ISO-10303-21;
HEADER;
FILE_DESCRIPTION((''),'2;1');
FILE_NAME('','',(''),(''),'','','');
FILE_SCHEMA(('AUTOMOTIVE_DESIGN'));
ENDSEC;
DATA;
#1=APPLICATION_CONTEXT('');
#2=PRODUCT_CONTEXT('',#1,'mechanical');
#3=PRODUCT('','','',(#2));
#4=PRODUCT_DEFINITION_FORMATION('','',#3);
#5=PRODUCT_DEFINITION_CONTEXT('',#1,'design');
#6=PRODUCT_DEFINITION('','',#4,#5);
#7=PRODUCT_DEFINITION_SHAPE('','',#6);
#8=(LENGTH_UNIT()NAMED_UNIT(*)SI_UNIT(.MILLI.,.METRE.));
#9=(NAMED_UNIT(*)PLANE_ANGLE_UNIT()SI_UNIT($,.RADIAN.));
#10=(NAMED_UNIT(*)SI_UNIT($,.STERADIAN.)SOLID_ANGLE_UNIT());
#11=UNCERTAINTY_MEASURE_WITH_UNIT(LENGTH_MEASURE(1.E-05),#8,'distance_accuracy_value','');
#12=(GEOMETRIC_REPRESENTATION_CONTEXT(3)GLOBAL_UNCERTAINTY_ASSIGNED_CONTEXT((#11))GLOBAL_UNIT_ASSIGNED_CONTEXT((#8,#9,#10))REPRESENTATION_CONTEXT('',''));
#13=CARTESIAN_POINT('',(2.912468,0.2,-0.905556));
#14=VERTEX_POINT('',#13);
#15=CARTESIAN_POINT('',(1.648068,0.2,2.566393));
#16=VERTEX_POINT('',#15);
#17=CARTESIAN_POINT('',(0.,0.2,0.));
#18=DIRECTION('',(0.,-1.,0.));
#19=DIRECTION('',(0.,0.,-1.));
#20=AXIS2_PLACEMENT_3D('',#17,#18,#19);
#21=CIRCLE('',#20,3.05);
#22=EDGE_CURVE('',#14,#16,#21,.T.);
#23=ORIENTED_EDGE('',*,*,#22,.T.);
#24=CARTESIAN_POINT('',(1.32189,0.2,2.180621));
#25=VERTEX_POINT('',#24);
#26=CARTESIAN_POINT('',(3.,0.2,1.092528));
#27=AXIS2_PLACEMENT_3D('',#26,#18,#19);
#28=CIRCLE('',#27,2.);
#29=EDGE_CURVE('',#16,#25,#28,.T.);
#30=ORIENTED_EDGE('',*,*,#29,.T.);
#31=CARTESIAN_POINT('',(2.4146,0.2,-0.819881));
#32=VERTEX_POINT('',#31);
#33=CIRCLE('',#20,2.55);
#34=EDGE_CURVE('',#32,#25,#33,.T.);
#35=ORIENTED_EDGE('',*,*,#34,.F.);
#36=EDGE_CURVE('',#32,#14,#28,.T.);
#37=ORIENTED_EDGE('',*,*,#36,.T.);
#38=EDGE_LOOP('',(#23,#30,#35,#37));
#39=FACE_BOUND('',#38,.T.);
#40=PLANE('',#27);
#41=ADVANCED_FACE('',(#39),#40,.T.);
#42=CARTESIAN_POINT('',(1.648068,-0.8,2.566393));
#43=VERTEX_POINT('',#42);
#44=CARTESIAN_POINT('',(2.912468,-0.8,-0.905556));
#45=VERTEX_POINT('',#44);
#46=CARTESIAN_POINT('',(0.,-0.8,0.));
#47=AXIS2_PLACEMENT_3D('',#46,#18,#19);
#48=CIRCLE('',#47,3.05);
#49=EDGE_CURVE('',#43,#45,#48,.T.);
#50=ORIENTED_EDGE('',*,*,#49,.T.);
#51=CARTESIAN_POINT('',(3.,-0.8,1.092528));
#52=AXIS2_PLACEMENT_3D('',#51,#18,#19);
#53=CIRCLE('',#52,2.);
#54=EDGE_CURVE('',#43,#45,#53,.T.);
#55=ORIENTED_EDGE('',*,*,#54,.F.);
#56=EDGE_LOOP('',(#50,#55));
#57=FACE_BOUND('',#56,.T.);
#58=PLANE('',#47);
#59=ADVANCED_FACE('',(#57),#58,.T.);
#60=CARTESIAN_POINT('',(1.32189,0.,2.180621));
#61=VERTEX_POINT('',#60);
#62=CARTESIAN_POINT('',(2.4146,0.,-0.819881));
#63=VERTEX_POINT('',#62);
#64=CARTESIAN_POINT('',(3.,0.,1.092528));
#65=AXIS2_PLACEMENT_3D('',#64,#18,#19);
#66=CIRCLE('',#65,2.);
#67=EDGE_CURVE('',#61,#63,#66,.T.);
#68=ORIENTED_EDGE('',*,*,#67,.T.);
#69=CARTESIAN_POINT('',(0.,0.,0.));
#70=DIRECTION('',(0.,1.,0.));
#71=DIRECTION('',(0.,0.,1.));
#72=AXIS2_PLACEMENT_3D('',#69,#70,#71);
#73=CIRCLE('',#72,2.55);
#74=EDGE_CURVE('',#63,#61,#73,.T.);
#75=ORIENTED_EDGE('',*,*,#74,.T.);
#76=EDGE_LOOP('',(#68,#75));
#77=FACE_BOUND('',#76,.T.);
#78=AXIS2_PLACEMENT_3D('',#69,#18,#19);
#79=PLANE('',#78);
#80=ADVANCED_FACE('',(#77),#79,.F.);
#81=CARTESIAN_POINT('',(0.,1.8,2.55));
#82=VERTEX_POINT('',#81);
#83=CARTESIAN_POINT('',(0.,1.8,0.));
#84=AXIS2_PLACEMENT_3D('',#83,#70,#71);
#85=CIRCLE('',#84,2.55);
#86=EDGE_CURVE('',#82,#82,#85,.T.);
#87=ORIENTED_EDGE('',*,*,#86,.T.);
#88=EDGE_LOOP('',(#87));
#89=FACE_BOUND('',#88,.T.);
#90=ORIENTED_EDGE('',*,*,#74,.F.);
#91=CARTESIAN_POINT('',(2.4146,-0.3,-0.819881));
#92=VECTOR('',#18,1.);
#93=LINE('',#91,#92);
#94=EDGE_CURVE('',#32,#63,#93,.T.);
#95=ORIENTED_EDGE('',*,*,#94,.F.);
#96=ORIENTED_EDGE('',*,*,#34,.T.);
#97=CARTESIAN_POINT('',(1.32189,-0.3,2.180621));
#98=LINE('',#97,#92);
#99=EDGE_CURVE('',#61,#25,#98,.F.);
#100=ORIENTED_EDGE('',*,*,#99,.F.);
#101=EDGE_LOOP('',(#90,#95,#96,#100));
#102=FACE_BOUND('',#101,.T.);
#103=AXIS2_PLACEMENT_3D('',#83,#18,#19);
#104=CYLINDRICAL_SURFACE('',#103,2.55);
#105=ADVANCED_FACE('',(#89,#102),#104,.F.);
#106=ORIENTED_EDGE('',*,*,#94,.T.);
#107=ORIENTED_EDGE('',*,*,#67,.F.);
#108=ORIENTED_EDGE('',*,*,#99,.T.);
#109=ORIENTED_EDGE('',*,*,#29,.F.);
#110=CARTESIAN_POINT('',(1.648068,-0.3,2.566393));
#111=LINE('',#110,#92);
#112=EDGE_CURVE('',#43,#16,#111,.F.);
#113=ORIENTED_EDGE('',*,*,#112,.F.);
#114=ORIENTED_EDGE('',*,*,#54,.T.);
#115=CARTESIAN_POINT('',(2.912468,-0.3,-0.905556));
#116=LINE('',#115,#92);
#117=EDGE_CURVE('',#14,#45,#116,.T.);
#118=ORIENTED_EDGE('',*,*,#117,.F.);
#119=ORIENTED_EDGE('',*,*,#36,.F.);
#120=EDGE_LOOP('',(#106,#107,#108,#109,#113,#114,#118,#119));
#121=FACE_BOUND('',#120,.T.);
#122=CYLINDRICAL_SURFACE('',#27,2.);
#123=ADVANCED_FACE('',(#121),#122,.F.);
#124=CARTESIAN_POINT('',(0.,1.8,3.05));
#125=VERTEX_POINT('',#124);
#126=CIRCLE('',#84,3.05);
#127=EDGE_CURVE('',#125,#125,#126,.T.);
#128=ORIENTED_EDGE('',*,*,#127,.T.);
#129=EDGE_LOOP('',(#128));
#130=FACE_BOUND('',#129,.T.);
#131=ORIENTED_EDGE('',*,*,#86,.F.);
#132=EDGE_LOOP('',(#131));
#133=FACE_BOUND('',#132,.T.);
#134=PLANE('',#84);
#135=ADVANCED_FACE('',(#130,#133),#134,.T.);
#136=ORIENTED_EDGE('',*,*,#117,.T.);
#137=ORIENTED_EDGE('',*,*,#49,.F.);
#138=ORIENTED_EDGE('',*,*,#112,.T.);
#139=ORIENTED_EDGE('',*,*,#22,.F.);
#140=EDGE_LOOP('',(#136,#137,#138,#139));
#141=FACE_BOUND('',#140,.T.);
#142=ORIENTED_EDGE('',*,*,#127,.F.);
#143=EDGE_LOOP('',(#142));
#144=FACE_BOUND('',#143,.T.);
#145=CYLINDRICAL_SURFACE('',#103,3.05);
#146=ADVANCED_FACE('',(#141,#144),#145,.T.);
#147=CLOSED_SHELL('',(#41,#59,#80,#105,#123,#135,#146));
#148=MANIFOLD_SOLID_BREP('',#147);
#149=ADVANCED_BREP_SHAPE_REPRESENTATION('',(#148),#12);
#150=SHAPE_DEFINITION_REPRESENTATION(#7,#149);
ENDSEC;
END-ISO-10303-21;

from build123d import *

# Parameters (mm, degrees)
SKETCH_1_R          = 3.05
SKETCH_1_R_2        = 2.55
EXTRUDE_1_DEPTH     = 1.8
EXTRUDE_START       = 0.8
SKETCH_2_R          = 3.05
EXTRUDE_2_DEPTH     = 0.8
SKETCH_3_R          = 2
CUT_EXTRUDE_1_DEPTH = 1


with BuildPart() as part:
    # 草图1 → 凸台-拉伸1 (new body)
    with BuildSketch(Plane(origin=(0, 0, 0), x_dir=(1, 0, 0), z_dir=(0, 1, 0))):
        with Locations(Location((0, 0, 0), (0, 0, 270))):
            Circle(SKETCH_1_R)
        with Locations(Location((0, 0, 0), (0, 0, 270))):
            Circle(SKETCH_1_R_2, mode=Mode.SUBTRACT)
    extrude(amount=EXTRUDE_1_DEPTH)

    # 草图2 → 凸台-拉伸2 (add)
    with BuildSketch(Plane.XZ.offset(EXTRUDE_START)):
        with Locations(Location((0, 0, 0), (0, 0, 270))):
            Circle(SKETCH_2_R)
    extrude(amount=-EXTRUDE_2_DEPTH)

    # 草图3 → 切除-拉伸1 (cut)
    with BuildSketch(Plane.XZ.offset(0.8)):
        with Locations((3, 1.092527685)):
            Circle(SKETCH_3_R)
    extrude(amount=-CUT_EXTRUDE_1_DEPTH, mode=Mode.SUBTRACT)


solid = part.part
